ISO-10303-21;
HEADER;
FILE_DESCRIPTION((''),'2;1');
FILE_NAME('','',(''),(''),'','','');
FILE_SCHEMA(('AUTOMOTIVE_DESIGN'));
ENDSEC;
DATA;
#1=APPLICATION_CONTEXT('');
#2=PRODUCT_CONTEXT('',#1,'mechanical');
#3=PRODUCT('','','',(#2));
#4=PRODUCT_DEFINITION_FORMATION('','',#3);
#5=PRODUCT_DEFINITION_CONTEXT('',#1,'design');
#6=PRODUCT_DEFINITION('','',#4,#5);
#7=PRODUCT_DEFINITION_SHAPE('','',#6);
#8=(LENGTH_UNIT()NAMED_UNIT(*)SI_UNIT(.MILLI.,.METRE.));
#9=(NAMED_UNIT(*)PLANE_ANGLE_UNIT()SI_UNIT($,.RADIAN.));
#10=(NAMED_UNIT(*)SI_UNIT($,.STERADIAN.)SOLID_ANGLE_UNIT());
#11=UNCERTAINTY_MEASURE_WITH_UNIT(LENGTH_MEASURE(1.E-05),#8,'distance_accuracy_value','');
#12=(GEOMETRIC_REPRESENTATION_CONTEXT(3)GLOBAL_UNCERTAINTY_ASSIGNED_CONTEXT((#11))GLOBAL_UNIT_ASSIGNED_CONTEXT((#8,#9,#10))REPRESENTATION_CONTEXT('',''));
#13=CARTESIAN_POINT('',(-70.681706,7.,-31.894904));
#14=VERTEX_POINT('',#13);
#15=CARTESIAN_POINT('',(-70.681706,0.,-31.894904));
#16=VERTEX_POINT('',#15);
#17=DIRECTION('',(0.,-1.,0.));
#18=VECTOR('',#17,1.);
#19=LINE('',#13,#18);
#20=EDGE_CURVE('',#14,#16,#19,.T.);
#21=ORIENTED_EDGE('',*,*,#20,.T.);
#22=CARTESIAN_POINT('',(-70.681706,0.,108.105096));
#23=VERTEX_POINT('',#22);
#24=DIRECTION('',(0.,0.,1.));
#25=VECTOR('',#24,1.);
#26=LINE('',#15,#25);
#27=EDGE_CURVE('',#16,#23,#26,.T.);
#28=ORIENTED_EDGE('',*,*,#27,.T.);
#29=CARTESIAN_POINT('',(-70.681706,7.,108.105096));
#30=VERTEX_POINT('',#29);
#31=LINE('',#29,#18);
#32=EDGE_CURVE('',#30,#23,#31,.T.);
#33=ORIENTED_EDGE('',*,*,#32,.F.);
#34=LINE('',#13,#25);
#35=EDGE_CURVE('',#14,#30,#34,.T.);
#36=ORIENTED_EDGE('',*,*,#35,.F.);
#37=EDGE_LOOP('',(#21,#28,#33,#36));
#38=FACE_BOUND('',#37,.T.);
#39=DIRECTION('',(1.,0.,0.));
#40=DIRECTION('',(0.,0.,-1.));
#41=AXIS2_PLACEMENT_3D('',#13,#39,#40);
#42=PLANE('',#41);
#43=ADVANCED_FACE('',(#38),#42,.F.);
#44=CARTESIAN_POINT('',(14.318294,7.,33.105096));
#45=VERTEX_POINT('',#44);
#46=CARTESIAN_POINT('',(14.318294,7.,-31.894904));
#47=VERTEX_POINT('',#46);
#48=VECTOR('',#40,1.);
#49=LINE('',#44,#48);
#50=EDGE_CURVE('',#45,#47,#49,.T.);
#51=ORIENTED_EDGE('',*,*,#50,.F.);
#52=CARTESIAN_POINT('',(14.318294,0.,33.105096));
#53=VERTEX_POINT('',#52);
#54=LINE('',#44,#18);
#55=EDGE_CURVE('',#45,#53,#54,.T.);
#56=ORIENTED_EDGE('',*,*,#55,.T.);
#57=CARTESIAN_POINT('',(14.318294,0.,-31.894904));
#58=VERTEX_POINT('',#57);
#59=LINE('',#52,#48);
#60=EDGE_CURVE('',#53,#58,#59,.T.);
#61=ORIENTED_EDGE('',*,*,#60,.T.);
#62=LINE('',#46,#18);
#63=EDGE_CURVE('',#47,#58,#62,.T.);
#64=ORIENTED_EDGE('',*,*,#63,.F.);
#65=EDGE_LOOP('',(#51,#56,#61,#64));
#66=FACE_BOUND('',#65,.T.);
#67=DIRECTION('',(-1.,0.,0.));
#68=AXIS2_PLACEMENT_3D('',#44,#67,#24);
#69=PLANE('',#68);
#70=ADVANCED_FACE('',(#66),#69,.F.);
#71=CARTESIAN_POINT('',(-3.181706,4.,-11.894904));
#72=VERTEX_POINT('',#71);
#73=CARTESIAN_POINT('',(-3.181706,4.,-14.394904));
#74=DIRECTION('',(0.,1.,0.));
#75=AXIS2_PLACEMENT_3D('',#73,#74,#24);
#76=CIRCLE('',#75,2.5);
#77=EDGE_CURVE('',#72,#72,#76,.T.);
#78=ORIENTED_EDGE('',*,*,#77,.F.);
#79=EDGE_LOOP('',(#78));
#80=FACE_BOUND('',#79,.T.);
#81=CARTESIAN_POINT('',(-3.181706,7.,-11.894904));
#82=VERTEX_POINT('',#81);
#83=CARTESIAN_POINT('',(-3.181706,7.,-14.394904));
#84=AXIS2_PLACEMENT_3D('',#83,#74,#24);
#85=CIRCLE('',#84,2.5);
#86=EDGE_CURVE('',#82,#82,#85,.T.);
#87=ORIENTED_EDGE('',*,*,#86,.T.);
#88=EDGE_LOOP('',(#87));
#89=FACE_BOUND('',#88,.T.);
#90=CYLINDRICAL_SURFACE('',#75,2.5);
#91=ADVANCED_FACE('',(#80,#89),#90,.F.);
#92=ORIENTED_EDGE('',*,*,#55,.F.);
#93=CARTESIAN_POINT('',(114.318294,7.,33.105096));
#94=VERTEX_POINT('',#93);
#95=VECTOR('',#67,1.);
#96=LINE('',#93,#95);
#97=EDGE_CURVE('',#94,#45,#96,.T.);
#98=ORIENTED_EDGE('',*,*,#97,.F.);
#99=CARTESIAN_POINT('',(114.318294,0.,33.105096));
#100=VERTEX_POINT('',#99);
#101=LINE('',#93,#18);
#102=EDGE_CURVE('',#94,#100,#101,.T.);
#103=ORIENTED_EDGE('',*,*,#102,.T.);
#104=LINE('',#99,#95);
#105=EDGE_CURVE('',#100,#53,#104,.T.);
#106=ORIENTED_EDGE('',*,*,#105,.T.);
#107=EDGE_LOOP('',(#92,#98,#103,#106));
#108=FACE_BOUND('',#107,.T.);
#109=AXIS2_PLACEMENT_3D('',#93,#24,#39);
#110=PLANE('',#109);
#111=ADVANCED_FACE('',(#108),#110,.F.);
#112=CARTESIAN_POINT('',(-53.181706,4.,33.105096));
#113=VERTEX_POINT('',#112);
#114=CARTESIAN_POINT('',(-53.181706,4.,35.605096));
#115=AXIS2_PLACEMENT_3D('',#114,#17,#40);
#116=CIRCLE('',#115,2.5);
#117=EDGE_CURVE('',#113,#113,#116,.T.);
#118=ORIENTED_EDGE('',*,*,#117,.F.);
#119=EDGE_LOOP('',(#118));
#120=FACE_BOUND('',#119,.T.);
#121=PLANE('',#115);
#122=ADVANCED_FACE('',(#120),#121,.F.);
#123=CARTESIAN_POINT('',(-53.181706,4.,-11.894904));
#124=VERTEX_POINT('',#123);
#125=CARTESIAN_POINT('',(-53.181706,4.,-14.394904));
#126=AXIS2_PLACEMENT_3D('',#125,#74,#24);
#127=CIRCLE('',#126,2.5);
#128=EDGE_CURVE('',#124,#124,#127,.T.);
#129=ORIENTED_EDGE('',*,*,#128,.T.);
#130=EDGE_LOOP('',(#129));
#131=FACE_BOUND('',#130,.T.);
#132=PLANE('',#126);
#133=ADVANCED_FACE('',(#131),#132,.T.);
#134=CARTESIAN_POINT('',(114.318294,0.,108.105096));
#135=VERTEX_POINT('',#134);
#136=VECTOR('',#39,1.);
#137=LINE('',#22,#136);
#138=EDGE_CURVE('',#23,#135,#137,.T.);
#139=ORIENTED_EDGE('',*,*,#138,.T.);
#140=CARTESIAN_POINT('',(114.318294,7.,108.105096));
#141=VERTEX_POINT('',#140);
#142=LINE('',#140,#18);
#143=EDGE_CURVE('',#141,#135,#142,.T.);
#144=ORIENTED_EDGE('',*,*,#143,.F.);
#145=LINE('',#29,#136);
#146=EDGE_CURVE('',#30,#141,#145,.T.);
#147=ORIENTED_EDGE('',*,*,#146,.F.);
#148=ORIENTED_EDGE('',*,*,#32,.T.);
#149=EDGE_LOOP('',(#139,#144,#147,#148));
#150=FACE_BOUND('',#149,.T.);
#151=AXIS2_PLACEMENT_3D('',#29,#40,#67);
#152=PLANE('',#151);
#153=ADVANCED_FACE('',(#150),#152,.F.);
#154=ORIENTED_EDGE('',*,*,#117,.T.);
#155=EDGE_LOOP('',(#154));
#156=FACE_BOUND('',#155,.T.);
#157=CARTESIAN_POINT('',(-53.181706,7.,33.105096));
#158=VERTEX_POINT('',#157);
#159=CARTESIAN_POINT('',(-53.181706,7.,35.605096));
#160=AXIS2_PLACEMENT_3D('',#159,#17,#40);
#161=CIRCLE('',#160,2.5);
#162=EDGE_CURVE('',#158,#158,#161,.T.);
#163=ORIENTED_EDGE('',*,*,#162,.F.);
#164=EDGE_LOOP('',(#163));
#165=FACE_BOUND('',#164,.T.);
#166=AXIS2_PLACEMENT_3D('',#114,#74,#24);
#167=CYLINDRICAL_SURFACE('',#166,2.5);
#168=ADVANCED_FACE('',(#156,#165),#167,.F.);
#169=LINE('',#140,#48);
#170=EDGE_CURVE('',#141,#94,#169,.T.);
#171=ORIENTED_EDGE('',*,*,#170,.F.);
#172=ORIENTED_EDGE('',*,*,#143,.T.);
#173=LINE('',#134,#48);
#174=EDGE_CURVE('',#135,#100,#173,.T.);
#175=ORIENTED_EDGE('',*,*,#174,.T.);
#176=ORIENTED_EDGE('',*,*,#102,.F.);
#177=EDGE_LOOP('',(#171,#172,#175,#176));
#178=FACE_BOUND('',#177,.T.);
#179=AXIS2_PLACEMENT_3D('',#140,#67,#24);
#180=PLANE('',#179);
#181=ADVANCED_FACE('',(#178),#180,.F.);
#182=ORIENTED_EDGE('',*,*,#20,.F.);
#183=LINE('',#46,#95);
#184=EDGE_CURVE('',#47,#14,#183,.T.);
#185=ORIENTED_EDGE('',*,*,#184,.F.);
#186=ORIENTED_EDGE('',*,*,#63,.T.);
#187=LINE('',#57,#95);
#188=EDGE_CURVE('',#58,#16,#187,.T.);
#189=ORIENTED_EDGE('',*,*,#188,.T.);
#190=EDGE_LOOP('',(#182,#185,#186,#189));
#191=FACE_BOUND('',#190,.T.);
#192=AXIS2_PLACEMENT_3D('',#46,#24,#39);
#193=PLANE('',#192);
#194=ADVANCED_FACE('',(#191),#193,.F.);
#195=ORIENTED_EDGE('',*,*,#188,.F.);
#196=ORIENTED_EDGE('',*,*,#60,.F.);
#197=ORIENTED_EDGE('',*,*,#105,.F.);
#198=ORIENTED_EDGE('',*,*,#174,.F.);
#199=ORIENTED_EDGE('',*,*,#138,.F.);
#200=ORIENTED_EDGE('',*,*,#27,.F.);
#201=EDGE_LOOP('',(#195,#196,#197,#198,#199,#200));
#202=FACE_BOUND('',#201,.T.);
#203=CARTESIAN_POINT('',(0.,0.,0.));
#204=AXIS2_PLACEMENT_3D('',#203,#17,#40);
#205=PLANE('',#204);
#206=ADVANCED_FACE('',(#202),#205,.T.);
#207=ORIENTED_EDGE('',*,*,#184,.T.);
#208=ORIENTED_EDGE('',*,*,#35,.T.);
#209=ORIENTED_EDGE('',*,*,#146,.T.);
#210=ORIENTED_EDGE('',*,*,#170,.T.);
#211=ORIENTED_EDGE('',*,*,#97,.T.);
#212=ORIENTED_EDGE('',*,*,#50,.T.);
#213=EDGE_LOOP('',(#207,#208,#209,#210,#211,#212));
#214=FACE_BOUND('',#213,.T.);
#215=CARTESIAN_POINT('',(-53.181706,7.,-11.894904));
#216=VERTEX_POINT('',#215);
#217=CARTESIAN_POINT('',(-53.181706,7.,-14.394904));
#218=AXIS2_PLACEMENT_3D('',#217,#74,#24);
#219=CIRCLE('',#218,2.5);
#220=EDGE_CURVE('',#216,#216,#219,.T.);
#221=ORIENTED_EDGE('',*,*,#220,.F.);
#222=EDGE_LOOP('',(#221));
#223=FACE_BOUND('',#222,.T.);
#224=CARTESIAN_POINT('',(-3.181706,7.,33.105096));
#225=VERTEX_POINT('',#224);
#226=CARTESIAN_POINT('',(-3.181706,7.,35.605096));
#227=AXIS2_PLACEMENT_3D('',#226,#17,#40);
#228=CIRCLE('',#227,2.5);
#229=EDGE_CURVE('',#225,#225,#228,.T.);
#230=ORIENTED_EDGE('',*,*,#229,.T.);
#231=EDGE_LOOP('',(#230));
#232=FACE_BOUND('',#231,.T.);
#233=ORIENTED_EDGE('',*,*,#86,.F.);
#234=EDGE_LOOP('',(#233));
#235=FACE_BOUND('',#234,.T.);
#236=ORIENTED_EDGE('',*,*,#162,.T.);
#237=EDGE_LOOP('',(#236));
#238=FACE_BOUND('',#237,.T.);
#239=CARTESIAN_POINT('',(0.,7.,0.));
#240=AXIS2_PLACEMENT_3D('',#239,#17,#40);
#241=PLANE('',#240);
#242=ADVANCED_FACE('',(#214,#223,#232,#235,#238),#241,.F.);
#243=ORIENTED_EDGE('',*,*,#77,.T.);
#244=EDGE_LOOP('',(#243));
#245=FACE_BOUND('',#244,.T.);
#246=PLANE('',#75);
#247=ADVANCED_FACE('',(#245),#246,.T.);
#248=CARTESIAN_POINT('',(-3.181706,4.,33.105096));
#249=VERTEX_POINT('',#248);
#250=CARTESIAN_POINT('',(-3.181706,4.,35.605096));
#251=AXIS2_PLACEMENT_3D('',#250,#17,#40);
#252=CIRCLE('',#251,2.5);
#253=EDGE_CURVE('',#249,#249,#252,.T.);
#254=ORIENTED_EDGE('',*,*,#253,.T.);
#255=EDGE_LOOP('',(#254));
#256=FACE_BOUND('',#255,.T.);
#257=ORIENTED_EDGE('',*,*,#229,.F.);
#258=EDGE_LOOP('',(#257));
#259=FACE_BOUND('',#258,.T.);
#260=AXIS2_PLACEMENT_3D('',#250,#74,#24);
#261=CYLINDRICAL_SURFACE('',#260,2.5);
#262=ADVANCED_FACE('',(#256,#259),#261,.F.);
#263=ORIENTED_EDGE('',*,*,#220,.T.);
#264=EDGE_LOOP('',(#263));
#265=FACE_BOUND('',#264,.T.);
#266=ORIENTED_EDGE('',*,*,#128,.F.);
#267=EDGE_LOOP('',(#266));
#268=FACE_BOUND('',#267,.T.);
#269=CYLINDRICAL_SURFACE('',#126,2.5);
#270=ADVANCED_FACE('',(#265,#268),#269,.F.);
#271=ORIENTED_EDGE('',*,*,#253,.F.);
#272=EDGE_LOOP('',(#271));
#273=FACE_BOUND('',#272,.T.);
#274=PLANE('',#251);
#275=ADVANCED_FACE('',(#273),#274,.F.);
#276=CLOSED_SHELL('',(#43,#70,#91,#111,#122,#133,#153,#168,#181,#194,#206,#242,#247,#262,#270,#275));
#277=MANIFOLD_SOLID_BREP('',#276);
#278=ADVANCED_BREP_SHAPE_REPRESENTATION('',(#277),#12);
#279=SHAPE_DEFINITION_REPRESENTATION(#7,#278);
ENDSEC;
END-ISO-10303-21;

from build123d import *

# Parameters (mm, degrees)
BOSS_EXTRUDE1_DEPTH = 7
SKETCH2_R           = 2.5
CUT_EXTRUDE2_DEPTH  = 3


with BuildPart() as part:
    # Sketch1 → Boss-Extrude1 (new body)
    with BuildSketch(Plane(origin=(0, 0, 0), x_dir=(1, 0, 0), z_dir=(0, 1, 0))):
        Polygon((14.318293597, 31.894904459), (-70.681706403, 31.894904459), (-70.681706403, -108.105095541), (114.318293597, -108.105095541), (114.318293597, -33.105095541), (14.318293597, -33.105095541), align=None)
    extrude(amount=BOSS_EXTRUDE1_DEPTH)

    # Sketch2 → Cut-Extrude2 (cut)
    with BuildSketch(Plane(origin=(0, 7, 0), x_dir=(1, 0, 0), z_dir=(0, 1, 0))):
        with Locations((-53.181706403, 14.394904459)):
            Circle(SKETCH2_R)
        with Locations((-3.181706403, 14.394904459)):
            Circle(SKETCH2_R)
        with Locations((-3.181706403, -35.605095541)):
            Circle(SKETCH2_R)
        with Locations((-53.181706403, -35.605095541)):
            Circle(SKETCH2_R)
    extrude(amount=-CUT_EXTRUDE2_DEPTH, mode=Mode.SUBTRACT)


solid = part.part
